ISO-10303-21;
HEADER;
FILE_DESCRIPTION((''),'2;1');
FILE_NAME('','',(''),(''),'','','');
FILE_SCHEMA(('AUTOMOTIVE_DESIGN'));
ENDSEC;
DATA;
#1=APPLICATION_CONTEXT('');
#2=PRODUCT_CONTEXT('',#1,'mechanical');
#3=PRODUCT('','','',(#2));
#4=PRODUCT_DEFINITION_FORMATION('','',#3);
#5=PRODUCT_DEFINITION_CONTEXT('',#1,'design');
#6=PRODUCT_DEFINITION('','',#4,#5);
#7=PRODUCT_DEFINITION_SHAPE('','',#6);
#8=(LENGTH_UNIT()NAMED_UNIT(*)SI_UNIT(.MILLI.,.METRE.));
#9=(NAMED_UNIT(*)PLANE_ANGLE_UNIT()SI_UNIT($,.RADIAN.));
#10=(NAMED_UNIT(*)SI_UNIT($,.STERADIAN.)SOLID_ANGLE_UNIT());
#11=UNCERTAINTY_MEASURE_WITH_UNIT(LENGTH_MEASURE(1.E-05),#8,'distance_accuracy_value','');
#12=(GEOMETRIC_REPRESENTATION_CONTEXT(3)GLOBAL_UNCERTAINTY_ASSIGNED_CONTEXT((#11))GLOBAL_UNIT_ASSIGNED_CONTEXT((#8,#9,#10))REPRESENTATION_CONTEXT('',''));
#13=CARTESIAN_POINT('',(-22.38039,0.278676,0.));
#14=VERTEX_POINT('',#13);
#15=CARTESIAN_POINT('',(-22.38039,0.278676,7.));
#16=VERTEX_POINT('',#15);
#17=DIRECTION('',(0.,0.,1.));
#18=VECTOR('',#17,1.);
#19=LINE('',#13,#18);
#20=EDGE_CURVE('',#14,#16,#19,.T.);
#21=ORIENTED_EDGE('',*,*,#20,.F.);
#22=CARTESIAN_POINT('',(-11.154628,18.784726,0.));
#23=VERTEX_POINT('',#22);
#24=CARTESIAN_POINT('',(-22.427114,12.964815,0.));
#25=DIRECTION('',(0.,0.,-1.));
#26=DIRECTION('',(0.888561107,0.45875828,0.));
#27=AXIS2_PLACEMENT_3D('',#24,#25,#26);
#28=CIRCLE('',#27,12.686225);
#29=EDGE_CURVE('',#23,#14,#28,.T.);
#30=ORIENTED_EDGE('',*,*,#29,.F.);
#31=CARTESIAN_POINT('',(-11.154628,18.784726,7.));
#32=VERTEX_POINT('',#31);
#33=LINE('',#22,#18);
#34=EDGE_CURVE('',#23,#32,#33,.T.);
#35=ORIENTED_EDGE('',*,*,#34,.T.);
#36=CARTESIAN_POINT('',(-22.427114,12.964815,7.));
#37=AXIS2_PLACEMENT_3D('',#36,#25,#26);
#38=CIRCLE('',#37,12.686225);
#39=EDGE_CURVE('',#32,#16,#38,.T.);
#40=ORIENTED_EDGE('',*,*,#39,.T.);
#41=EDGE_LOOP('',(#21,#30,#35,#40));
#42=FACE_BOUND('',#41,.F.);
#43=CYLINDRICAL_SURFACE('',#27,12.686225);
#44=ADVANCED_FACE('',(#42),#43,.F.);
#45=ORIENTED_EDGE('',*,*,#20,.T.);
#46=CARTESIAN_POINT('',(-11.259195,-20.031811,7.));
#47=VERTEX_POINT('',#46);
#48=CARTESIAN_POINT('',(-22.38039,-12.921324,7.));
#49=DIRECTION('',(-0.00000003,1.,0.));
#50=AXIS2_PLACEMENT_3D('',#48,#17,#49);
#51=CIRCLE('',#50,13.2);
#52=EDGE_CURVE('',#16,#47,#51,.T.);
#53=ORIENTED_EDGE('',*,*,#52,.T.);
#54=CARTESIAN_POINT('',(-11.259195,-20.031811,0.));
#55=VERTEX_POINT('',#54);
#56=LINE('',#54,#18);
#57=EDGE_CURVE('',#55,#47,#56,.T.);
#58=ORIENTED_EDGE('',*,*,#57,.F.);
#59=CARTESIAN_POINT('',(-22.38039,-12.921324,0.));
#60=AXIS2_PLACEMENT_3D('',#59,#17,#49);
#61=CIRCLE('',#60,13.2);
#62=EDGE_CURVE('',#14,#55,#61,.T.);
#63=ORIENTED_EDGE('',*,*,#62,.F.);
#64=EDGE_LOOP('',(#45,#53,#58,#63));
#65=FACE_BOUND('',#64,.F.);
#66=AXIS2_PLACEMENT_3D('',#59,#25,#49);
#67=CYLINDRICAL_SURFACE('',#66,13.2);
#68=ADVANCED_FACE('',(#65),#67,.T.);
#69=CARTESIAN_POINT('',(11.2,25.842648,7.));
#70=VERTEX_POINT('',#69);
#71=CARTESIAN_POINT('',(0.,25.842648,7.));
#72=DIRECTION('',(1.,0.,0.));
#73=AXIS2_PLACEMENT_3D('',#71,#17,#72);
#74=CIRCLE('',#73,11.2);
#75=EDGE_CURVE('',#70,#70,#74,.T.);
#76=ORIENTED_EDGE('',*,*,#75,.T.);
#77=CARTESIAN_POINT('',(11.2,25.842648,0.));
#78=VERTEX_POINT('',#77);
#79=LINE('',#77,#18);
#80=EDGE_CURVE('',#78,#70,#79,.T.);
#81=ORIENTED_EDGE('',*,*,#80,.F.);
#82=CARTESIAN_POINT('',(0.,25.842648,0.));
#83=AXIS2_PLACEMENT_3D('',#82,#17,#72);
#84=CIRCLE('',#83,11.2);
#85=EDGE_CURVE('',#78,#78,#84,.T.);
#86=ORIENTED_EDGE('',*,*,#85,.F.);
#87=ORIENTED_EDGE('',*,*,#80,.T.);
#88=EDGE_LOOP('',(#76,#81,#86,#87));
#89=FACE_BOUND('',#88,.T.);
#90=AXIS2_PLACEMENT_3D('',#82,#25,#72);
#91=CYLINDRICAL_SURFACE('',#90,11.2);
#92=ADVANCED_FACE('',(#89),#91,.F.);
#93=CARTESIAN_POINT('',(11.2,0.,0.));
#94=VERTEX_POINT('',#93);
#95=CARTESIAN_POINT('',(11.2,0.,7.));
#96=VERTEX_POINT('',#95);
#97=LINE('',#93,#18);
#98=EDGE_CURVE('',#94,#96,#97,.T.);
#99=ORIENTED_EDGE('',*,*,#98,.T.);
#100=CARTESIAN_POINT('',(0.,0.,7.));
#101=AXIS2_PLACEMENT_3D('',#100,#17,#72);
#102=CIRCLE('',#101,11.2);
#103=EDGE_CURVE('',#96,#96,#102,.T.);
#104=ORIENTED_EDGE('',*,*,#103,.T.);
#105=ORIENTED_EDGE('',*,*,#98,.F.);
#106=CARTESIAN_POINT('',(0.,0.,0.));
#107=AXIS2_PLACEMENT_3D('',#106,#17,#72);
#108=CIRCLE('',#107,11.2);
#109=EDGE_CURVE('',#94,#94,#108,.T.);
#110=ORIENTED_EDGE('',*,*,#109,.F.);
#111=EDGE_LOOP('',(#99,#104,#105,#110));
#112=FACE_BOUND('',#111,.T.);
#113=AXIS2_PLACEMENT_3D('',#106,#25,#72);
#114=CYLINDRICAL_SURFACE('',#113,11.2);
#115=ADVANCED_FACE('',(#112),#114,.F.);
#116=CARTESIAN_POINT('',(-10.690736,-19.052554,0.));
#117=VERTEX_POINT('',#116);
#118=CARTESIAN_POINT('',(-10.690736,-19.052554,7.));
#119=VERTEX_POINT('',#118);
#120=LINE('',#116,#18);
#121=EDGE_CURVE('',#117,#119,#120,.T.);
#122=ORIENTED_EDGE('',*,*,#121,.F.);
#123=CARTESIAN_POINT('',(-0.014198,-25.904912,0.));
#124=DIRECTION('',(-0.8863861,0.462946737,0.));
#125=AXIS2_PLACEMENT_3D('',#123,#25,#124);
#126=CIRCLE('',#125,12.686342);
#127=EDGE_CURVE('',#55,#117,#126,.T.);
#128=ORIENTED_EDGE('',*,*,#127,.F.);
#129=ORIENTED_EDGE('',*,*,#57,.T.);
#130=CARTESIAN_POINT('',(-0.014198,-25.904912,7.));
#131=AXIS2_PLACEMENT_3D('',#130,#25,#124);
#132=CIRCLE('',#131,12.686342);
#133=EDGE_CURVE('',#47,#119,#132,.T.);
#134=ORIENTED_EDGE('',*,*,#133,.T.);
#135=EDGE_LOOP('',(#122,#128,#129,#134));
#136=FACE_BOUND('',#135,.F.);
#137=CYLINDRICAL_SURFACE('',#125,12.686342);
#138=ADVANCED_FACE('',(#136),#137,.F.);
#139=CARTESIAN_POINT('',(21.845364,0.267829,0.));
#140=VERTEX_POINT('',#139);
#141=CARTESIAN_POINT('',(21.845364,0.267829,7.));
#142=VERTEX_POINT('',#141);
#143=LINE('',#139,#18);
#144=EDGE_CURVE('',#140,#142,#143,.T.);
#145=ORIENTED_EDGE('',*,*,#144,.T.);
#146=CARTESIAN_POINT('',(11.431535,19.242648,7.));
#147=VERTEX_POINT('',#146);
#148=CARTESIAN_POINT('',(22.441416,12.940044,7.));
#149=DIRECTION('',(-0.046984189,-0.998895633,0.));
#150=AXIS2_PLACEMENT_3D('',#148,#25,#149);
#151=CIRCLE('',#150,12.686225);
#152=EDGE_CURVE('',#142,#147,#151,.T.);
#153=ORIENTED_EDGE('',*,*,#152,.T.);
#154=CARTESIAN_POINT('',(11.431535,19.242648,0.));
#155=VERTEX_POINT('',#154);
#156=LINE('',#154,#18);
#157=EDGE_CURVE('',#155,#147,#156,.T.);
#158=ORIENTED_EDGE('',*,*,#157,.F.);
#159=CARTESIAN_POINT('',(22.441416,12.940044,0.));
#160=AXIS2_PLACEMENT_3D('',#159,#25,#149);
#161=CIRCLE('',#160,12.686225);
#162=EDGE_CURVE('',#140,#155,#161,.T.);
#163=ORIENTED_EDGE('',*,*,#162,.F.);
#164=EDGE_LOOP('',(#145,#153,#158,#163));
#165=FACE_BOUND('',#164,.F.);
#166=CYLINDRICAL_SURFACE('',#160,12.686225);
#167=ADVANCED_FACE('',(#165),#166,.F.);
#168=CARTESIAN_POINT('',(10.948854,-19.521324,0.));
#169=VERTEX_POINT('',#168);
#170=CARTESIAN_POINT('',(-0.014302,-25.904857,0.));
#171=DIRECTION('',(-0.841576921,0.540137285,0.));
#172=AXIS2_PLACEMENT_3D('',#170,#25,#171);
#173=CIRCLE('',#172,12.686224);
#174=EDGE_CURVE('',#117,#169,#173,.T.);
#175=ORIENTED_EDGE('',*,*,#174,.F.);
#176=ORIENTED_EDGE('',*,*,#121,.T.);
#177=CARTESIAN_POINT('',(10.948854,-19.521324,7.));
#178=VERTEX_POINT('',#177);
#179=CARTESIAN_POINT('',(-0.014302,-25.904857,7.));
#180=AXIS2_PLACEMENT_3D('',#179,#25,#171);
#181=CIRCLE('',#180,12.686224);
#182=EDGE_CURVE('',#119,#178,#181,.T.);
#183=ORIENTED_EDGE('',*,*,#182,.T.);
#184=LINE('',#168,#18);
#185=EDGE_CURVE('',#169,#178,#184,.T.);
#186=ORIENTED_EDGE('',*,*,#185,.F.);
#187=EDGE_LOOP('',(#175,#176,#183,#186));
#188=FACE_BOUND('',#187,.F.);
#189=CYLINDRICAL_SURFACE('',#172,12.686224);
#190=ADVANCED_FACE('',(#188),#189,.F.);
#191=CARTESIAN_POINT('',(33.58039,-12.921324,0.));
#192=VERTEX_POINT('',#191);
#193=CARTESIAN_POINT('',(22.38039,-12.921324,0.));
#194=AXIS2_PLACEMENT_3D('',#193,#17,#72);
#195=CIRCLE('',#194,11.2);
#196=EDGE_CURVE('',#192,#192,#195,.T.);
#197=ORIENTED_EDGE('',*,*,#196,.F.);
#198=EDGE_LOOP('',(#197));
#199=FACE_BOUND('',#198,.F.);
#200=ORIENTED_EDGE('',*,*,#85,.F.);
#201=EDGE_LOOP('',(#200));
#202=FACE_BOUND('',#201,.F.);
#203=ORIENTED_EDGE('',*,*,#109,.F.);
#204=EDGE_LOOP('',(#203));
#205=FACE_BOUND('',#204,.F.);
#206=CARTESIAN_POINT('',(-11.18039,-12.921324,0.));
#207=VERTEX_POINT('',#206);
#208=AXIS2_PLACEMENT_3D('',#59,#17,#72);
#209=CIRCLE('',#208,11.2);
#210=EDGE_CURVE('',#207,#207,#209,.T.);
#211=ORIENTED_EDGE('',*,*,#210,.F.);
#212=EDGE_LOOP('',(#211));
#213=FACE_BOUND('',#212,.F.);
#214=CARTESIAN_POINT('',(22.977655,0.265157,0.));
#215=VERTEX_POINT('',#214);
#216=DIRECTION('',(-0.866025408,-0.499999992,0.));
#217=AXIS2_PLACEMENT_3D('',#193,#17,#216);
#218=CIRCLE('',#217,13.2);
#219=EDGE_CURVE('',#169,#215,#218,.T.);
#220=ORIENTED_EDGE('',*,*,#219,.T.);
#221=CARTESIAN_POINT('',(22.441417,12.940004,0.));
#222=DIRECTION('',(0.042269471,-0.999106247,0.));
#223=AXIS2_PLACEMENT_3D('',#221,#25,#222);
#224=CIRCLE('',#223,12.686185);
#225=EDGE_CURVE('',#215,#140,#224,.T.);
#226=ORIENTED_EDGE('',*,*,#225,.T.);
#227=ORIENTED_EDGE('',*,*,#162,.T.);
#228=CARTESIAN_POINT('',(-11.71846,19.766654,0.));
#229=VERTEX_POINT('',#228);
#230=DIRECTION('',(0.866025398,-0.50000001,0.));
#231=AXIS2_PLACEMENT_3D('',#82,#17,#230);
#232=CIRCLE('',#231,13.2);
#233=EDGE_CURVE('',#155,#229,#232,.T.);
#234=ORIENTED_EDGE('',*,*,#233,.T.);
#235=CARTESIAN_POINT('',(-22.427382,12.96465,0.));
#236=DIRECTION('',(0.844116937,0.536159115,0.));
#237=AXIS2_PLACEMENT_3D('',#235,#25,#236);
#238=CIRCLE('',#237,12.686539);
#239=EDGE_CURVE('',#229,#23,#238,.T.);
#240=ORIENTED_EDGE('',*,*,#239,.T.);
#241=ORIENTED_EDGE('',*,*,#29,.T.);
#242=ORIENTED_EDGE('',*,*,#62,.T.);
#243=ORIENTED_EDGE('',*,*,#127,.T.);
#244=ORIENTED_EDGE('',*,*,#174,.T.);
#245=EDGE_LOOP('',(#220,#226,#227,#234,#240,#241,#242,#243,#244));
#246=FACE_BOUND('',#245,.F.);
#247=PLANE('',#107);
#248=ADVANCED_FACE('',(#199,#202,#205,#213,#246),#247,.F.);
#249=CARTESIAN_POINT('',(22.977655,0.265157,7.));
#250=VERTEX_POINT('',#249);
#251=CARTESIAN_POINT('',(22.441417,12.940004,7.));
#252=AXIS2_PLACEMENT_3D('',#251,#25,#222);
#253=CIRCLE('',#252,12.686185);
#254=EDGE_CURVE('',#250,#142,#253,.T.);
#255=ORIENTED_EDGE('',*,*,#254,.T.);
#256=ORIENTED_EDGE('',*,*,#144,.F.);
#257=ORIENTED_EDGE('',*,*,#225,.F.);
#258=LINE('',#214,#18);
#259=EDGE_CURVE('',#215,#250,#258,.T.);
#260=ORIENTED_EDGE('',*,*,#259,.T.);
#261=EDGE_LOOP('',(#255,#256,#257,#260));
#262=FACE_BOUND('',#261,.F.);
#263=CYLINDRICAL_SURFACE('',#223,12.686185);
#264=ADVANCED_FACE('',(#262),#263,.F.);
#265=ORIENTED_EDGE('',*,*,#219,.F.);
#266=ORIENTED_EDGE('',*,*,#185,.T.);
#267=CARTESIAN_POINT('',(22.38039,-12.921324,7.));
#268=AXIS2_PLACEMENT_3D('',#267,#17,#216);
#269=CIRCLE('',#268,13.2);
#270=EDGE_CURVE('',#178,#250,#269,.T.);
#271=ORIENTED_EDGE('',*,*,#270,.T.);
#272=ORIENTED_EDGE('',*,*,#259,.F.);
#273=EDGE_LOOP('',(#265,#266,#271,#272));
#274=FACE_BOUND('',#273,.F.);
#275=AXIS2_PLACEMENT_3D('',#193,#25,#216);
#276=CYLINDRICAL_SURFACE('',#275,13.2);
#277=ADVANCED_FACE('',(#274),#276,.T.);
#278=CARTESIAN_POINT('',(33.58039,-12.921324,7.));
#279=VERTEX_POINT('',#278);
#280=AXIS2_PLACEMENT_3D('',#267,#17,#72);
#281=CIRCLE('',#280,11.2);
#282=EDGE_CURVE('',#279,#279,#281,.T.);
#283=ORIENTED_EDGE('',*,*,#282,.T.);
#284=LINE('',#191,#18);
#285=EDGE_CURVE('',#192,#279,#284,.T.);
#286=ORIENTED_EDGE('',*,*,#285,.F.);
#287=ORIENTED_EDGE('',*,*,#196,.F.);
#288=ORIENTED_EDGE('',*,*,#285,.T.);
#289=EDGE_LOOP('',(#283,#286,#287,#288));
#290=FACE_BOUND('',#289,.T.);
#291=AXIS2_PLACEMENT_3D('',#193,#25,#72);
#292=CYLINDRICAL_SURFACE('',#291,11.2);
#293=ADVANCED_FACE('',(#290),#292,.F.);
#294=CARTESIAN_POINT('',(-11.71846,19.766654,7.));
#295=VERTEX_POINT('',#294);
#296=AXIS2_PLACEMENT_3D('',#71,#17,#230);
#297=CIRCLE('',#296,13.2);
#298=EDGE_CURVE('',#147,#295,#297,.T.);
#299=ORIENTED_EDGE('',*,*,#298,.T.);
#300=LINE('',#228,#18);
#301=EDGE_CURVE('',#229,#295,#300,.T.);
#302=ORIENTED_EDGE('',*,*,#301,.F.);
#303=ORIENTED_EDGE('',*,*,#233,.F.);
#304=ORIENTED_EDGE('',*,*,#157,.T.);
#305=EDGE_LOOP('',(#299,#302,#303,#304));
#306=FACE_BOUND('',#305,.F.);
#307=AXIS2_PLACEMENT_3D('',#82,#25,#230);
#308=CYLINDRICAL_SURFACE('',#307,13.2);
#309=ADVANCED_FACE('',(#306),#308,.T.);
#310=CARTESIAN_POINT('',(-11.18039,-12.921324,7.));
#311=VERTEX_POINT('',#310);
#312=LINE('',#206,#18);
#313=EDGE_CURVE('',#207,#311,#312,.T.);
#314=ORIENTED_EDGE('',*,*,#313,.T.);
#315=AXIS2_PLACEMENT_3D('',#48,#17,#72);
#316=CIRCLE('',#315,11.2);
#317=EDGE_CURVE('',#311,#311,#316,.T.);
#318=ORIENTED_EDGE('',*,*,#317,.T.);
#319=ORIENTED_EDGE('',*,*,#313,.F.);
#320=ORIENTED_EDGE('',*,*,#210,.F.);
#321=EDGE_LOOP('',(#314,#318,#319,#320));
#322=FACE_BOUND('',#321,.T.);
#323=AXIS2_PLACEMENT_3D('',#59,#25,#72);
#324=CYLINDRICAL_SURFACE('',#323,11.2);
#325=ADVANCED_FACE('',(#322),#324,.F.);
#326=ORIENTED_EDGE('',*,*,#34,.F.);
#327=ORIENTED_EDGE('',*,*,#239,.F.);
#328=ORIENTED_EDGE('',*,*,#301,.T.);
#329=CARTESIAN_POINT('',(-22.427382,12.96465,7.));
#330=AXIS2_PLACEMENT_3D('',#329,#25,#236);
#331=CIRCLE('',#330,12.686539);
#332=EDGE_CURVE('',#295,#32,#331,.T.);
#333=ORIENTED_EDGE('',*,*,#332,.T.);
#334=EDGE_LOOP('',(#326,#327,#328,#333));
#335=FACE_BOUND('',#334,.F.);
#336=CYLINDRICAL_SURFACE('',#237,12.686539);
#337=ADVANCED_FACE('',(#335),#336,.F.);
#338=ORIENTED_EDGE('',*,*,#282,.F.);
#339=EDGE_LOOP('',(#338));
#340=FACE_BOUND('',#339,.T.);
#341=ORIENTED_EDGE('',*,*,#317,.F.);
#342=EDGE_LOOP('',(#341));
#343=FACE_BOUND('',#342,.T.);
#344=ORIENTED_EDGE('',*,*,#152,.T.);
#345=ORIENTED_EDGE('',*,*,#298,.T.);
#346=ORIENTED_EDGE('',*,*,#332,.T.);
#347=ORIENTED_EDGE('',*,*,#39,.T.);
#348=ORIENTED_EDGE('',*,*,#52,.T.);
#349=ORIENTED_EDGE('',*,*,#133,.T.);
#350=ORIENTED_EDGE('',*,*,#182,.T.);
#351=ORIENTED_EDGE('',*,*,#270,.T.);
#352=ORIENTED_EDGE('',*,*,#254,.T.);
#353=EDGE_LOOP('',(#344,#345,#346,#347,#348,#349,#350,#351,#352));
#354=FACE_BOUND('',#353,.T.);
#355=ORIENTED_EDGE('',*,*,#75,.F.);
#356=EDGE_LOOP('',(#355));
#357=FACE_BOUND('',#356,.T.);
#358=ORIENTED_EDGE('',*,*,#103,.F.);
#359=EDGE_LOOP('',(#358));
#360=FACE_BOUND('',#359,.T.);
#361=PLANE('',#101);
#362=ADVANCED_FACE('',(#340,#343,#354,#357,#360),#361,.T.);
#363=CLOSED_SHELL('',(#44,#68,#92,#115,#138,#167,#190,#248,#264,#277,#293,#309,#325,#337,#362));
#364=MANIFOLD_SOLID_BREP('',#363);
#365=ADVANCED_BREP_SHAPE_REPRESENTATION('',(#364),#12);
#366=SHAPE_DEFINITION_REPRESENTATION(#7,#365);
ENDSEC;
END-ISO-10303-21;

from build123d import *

# Parameters (mm, degrees)
F0_R     = 11.2
F1_DEPTH = 7


with BuildPart() as f1:
    # F0 (on Top) → F1 (new body)
    with BuildSketch(Plane.XY):
        with BuildLine():
            ThreePointArc((21.845364, 0.267829), (11.320024, 6.836361), (11.431535, 19.242648))
            ThreePointArc((11.431535, 19.242648), (0.298709, 39.039268), (-11.71846, 19.766654))
            ThreePointArc((-11.71846, 19.766654), (-11.425584, 19.281984), (-11.154628, 18.784726))
            ThreePointArc((-11.154628, 18.784726), (-11.580474, 6.385248), (-22.38039, 0.278676))
            ThreePointArc((-22.38039, 0.278676), (-33.958352, -19.260944), (-11.259195, -20.031811))
            ThreePointArc((-11.259195, -20.031811), (-10.985896, -19.535837), (-10.690736, -19.052554))
            ThreePointArc((-10.690736, -19.052554), (0.26045, -13.221608), (10.948854, -19.521324))
            ThreePointArc((10.948854, -19.521324), (33.659643, -19.778324), (22.977655, 0.265157))
            ThreePointArc((22.977655, 0.265157), (22.41148, 0.253854), (21.845364, 0.267829))
        make_face()
        with Locations((-22.38039, -12.921324)):
            Circle(F0_R, mode=Mode.SUBTRACT)
        with Locations((22.38039, -12.921324)):
            Circle(F0_R, mode=Mode.SUBTRACT)
        Circle(F0_R, mode=Mode.SUBTRACT)
        with Locations((0, 25.842648)):
            Circle(F0_R, mode=Mode.SUBTRACT)
    extrude(amount=F1_DEPTH)


solid = f1.part
